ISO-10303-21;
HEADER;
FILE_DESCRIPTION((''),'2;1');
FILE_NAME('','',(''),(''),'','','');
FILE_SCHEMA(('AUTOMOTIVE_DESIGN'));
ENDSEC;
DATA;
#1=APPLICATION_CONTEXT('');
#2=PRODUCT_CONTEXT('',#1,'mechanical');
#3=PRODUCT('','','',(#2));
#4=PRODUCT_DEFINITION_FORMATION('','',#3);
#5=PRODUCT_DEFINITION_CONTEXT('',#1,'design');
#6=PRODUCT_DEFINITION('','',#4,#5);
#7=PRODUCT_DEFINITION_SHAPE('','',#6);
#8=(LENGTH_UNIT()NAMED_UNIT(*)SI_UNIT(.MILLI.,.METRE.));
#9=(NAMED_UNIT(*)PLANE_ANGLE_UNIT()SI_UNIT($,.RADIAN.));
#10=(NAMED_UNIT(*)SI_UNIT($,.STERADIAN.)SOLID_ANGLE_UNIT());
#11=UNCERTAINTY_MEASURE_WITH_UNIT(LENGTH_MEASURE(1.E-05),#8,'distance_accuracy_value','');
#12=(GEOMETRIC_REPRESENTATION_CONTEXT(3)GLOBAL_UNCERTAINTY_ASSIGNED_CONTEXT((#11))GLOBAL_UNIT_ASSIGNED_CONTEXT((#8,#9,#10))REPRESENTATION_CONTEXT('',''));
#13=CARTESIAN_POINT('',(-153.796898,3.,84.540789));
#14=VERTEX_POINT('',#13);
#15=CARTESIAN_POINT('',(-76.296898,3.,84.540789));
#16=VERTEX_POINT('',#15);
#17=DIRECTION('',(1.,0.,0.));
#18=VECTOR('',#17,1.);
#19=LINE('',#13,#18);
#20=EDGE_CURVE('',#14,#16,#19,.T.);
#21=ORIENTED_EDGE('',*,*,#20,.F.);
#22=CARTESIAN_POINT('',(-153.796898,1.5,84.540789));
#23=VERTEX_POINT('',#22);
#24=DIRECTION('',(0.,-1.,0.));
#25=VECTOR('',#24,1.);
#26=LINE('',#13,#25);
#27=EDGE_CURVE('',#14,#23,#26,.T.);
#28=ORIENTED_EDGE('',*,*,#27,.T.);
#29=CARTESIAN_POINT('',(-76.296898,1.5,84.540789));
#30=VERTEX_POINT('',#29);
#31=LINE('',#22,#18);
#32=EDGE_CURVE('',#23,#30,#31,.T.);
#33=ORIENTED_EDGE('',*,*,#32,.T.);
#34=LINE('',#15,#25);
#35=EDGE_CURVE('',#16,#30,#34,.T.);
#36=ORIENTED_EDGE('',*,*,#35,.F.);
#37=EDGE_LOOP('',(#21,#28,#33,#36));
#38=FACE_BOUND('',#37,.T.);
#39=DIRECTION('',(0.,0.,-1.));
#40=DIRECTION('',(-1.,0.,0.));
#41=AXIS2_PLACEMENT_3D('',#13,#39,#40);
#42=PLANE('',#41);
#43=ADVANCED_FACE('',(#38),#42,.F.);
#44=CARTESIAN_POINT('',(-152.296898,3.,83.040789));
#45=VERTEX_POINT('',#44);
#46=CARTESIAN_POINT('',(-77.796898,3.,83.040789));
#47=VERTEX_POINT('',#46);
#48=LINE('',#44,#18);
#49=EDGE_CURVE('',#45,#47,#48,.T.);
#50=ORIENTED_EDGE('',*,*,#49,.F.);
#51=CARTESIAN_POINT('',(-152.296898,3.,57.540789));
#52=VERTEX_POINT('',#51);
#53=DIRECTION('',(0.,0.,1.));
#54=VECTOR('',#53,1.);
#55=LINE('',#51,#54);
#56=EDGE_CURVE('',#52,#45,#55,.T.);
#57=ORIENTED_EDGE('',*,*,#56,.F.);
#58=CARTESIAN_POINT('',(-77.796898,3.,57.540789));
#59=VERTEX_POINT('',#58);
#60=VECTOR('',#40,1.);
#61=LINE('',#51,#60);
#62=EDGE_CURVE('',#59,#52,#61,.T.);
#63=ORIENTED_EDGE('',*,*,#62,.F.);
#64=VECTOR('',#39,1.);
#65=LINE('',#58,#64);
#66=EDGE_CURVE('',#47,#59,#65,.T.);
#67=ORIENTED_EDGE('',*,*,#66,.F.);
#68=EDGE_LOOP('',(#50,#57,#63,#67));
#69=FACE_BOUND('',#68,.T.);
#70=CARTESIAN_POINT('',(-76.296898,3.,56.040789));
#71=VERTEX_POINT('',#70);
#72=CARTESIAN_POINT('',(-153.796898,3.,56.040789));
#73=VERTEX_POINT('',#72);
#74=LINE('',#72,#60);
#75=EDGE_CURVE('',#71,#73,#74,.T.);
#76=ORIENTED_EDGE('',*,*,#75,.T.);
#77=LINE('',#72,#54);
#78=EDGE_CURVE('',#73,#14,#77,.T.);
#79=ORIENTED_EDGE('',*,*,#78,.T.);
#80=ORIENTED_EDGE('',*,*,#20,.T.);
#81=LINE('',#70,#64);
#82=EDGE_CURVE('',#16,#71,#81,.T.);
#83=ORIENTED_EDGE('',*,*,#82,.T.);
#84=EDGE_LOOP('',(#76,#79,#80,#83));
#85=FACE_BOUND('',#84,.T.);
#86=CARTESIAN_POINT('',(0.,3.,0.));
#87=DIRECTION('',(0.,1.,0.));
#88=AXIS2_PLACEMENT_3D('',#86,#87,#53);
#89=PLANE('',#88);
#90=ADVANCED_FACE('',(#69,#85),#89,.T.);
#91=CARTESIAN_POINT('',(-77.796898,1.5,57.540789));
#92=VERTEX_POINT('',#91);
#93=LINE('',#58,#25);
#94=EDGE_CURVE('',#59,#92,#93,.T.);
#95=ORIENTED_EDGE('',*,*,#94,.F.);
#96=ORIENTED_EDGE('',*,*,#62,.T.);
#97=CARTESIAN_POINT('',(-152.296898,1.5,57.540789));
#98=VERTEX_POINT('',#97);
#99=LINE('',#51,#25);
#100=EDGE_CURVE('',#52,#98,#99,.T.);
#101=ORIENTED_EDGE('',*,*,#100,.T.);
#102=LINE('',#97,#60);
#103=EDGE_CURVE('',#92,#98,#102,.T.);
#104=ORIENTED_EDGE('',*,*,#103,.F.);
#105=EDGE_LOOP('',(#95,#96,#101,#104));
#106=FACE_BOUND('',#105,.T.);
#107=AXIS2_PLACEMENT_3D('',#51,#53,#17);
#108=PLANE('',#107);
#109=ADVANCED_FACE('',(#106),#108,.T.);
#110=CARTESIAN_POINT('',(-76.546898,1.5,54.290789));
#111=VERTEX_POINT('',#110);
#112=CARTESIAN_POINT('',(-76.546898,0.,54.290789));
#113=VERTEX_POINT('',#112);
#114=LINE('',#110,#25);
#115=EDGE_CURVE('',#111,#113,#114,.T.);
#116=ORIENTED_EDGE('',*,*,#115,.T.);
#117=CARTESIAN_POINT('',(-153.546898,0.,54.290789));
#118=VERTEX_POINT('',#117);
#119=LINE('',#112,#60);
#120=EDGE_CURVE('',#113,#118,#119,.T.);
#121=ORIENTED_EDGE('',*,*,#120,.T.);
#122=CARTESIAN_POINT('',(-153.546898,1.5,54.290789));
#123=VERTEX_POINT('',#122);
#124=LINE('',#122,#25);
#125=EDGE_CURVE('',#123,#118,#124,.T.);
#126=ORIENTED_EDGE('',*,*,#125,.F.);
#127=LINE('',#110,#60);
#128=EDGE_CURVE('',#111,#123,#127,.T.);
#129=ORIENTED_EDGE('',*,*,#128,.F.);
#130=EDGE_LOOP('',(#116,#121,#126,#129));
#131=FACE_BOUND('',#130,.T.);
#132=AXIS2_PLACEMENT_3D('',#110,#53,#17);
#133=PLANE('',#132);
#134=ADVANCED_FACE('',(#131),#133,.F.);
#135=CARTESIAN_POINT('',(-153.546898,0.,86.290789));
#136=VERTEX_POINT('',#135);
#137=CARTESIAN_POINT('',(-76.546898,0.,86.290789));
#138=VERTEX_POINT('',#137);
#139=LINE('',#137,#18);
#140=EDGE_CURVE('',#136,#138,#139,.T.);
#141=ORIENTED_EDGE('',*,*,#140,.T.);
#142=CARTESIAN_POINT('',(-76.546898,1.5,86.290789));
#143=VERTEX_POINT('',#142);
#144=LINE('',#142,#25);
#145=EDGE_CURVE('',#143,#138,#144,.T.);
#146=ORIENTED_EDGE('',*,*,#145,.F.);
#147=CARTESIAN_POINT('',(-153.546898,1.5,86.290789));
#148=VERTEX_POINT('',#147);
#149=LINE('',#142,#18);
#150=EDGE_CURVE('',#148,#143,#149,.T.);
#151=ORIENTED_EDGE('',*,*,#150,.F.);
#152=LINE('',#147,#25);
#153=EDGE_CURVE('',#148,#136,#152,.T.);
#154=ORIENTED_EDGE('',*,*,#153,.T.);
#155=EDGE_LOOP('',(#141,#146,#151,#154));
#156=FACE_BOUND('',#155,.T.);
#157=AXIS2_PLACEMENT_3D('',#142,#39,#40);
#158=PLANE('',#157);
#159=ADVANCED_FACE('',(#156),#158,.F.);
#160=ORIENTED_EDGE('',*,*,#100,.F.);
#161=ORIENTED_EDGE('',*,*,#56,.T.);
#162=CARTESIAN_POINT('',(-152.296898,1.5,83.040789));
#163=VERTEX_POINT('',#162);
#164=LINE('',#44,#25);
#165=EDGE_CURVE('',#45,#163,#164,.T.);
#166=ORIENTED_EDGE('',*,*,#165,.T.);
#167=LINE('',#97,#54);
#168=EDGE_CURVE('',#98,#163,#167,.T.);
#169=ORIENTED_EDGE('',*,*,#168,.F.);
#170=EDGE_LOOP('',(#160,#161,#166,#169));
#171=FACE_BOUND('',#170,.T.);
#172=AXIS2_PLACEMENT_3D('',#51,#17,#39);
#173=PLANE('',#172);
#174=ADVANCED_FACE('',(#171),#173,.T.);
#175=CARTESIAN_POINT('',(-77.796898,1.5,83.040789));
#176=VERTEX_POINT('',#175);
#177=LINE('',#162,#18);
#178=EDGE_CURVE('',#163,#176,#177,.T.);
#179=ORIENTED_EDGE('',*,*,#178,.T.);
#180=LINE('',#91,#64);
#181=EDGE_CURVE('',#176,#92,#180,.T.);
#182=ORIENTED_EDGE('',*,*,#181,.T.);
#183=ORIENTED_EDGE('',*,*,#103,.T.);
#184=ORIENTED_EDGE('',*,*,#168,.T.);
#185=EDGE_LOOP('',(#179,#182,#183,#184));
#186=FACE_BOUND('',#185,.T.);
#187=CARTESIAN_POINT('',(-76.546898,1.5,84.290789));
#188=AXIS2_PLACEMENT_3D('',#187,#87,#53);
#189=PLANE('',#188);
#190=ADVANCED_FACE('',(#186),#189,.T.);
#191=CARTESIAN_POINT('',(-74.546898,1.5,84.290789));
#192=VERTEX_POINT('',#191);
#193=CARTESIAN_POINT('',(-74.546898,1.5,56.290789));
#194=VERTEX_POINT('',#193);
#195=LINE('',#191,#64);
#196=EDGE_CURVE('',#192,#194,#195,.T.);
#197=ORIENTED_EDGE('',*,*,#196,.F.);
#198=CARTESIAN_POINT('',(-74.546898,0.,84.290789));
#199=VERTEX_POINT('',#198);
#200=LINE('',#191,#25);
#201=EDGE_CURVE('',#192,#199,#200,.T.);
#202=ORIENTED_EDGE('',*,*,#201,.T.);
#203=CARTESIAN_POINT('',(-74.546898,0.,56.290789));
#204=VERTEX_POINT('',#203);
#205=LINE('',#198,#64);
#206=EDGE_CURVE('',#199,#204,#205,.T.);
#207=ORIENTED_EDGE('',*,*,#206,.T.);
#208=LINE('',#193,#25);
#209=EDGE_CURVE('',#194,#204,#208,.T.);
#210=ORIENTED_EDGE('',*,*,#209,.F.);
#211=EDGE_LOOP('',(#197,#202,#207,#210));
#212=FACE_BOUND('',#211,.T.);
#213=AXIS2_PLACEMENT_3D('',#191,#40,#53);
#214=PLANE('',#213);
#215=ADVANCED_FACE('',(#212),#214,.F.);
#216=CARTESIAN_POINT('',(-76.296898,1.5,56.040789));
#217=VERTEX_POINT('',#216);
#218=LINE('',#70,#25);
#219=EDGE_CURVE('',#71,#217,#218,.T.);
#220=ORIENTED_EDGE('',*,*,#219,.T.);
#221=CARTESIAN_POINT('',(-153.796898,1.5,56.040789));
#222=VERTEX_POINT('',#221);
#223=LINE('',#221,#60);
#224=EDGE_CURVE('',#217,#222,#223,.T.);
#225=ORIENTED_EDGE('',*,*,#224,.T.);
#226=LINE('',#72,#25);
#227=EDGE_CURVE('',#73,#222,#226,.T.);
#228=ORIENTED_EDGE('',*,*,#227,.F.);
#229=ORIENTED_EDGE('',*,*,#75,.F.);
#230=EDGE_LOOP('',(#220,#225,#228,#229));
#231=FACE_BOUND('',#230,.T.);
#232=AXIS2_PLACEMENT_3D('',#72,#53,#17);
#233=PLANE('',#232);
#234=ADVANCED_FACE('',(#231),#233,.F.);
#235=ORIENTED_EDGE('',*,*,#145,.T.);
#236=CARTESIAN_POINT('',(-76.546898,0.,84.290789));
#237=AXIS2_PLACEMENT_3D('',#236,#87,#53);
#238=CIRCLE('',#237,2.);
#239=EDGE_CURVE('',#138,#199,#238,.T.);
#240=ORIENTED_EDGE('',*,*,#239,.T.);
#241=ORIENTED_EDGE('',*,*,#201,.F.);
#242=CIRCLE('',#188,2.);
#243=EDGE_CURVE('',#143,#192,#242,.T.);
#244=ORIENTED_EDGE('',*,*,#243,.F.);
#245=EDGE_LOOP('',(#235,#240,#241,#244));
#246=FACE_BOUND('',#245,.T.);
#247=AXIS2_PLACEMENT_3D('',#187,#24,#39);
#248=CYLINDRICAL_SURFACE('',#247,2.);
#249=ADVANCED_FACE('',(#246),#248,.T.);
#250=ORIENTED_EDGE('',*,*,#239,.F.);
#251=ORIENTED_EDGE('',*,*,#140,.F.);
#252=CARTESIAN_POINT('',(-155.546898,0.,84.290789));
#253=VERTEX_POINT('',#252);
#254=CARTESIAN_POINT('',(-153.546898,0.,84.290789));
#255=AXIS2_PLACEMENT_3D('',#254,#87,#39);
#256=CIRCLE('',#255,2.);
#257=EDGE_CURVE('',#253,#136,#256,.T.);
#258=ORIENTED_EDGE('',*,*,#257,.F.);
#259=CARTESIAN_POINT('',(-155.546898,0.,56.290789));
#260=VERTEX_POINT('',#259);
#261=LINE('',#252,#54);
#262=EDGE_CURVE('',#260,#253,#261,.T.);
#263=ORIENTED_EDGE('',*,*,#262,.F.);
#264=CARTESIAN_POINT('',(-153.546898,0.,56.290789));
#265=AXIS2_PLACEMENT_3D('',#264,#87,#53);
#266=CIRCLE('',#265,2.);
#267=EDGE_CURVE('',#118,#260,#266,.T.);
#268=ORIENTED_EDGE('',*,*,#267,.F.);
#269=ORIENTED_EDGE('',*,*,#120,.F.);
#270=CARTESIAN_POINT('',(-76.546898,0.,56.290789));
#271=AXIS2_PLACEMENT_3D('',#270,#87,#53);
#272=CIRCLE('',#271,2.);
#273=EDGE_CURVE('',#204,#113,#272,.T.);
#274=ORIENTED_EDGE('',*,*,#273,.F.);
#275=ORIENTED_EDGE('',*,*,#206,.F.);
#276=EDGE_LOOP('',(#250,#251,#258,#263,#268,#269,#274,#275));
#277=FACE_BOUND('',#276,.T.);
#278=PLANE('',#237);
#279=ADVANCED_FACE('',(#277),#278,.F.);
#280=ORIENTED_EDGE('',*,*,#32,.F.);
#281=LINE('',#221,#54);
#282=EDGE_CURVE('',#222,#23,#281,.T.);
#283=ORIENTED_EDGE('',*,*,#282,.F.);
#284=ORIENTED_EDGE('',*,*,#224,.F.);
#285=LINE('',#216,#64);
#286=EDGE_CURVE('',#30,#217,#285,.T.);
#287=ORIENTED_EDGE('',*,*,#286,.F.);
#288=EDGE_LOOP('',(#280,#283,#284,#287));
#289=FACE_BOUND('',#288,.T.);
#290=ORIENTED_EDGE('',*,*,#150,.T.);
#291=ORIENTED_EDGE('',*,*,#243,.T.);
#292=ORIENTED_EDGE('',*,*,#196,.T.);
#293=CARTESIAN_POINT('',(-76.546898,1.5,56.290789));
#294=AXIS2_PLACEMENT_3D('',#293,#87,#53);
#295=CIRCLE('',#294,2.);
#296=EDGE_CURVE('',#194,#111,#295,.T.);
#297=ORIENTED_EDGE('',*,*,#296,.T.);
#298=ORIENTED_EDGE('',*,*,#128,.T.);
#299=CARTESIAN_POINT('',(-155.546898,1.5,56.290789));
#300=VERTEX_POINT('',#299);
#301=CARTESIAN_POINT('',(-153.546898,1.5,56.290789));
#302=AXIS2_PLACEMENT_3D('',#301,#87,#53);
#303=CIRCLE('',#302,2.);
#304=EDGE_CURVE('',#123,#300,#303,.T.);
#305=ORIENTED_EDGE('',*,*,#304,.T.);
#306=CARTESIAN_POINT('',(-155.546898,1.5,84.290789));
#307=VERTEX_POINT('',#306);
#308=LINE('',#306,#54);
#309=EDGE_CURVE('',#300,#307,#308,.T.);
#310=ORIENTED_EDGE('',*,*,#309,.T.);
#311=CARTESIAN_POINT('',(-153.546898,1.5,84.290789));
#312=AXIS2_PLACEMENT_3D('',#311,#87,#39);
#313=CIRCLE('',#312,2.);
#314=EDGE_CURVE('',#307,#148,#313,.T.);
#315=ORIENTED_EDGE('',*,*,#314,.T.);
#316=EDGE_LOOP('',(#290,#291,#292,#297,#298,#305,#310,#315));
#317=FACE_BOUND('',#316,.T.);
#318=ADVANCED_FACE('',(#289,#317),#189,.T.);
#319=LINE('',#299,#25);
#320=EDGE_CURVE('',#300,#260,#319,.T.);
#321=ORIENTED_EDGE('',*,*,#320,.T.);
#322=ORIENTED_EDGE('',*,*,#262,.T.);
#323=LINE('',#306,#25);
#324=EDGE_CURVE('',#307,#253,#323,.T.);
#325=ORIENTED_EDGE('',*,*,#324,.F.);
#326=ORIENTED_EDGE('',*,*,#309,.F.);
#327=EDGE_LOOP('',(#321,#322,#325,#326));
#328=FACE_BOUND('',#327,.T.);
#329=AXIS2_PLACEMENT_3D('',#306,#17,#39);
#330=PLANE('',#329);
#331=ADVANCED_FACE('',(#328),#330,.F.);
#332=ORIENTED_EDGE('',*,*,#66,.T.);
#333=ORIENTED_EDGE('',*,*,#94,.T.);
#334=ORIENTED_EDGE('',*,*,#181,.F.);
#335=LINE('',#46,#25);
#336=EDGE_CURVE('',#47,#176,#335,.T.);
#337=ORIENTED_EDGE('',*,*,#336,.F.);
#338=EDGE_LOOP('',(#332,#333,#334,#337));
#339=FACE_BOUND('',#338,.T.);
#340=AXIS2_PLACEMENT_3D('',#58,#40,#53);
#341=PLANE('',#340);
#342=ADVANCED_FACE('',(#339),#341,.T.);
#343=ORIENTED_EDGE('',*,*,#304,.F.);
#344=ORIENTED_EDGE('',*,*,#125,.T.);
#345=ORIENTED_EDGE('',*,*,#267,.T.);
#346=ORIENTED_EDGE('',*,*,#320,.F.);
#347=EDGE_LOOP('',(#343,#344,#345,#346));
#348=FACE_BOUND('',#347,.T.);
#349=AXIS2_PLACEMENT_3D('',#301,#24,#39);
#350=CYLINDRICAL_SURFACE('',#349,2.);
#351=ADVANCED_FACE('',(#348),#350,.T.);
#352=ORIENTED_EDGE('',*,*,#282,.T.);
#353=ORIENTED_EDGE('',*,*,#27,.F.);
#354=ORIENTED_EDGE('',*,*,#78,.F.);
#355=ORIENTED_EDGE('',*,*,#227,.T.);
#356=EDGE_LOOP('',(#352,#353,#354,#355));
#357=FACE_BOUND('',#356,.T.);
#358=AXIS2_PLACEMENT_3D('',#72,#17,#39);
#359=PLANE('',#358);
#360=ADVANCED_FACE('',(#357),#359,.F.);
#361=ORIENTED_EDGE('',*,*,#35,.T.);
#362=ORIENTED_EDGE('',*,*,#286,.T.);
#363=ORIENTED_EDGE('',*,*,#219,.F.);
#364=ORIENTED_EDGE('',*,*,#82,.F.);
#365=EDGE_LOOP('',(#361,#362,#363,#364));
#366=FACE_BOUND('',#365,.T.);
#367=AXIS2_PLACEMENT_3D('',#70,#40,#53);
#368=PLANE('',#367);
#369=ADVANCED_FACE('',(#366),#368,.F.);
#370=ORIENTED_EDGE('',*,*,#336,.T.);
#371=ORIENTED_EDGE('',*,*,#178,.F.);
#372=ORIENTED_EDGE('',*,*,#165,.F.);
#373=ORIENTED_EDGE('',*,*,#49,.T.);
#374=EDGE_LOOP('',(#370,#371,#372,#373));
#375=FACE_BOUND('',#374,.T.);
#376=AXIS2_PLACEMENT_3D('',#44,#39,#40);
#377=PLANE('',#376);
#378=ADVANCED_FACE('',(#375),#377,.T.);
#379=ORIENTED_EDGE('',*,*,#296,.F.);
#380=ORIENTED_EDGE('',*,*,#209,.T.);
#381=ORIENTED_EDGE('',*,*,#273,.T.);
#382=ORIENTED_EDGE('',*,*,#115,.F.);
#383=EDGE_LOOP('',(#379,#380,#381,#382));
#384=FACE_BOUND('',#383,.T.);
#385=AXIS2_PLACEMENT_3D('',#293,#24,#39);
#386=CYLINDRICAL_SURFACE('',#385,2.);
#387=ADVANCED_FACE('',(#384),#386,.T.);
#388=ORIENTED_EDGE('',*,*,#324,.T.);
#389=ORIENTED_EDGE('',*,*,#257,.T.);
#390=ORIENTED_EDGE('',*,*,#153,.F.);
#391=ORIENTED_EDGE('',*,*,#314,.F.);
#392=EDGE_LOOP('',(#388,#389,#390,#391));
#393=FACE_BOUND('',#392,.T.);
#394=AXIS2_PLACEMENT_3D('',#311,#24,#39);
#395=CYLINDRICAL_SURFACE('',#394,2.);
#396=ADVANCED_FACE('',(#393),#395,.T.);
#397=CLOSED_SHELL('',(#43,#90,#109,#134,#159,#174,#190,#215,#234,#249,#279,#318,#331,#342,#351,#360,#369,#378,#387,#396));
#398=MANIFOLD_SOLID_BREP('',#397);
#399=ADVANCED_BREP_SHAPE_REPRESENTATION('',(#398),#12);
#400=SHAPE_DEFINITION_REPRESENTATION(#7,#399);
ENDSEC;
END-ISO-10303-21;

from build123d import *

# Parameters (mm, degrees)
BOSS_EXTRUDE1_DEPTH = 1.5
SKETCH2_W           = 77.5
SKETCH2_H           = 28.5
SKETCH2_W_2         = 74.5
SKETCH2_H_2         = 25.5
BOSS_EXTRUDE2_DEPTH = 1.5


with BuildPart() as part:
    # Sketch1 → Boss-Extrude1 (new body)
    with BuildSketch(Plane(origin=(0, 0, 0), x_dir=(1, 0, 0), z_dir=(0, 1, 0))):
        with BuildLine():
            Line((-76.546897521, -86.290788706), (-153.546897521, -86.290788706))
            ThreePointArc((-153.546897521, -86.290788706), (-154.961111084, -85.705002268), (-155.546897521, -84.290788706))
            Line((-155.546897521, -84.290788706), (-155.546897521, -56.290788706))
            ThreePointArc((-155.546897521, -56.290788706), (-154.961111084, -54.876575144), (-153.546897521, -54.290788706))
            Line((-153.546897521, -54.290788706), (-76.546897521, -54.290788706))
            ThreePointArc((-76.546897521, -54.290788706), (-75.132683959, -54.876575144), (-74.546897521, -56.290788706))
            Line((-74.546897521, -56.290788706), (-74.546897521, -84.290788706))
            ThreePointArc((-74.546897521, -84.290788706), (-75.132683959, -85.705002268), (-76.546897521, -86.290788706))
        make_face()
    extrude(amount=BOSS_EXTRUDE1_DEPTH)

    # Sketch2 → Boss-Extrude2 (add)
    with BuildSketch(Plane(origin=(0, 1.5, 0), x_dir=(1, 0, 0), z_dir=(0, 1, 0))):
        with Locations((-115.046897521, -70.290788706)):
            Rectangle(SKETCH2_W, SKETCH2_H)
        with Locations((-115.046897521, -70.290788706)):
            Rectangle(SKETCH2_W_2, SKETCH2_H_2, mode=Mode.SUBTRACT)
    extrude(amount=BOSS_EXTRUDE2_DEPTH)


solid = part.part
